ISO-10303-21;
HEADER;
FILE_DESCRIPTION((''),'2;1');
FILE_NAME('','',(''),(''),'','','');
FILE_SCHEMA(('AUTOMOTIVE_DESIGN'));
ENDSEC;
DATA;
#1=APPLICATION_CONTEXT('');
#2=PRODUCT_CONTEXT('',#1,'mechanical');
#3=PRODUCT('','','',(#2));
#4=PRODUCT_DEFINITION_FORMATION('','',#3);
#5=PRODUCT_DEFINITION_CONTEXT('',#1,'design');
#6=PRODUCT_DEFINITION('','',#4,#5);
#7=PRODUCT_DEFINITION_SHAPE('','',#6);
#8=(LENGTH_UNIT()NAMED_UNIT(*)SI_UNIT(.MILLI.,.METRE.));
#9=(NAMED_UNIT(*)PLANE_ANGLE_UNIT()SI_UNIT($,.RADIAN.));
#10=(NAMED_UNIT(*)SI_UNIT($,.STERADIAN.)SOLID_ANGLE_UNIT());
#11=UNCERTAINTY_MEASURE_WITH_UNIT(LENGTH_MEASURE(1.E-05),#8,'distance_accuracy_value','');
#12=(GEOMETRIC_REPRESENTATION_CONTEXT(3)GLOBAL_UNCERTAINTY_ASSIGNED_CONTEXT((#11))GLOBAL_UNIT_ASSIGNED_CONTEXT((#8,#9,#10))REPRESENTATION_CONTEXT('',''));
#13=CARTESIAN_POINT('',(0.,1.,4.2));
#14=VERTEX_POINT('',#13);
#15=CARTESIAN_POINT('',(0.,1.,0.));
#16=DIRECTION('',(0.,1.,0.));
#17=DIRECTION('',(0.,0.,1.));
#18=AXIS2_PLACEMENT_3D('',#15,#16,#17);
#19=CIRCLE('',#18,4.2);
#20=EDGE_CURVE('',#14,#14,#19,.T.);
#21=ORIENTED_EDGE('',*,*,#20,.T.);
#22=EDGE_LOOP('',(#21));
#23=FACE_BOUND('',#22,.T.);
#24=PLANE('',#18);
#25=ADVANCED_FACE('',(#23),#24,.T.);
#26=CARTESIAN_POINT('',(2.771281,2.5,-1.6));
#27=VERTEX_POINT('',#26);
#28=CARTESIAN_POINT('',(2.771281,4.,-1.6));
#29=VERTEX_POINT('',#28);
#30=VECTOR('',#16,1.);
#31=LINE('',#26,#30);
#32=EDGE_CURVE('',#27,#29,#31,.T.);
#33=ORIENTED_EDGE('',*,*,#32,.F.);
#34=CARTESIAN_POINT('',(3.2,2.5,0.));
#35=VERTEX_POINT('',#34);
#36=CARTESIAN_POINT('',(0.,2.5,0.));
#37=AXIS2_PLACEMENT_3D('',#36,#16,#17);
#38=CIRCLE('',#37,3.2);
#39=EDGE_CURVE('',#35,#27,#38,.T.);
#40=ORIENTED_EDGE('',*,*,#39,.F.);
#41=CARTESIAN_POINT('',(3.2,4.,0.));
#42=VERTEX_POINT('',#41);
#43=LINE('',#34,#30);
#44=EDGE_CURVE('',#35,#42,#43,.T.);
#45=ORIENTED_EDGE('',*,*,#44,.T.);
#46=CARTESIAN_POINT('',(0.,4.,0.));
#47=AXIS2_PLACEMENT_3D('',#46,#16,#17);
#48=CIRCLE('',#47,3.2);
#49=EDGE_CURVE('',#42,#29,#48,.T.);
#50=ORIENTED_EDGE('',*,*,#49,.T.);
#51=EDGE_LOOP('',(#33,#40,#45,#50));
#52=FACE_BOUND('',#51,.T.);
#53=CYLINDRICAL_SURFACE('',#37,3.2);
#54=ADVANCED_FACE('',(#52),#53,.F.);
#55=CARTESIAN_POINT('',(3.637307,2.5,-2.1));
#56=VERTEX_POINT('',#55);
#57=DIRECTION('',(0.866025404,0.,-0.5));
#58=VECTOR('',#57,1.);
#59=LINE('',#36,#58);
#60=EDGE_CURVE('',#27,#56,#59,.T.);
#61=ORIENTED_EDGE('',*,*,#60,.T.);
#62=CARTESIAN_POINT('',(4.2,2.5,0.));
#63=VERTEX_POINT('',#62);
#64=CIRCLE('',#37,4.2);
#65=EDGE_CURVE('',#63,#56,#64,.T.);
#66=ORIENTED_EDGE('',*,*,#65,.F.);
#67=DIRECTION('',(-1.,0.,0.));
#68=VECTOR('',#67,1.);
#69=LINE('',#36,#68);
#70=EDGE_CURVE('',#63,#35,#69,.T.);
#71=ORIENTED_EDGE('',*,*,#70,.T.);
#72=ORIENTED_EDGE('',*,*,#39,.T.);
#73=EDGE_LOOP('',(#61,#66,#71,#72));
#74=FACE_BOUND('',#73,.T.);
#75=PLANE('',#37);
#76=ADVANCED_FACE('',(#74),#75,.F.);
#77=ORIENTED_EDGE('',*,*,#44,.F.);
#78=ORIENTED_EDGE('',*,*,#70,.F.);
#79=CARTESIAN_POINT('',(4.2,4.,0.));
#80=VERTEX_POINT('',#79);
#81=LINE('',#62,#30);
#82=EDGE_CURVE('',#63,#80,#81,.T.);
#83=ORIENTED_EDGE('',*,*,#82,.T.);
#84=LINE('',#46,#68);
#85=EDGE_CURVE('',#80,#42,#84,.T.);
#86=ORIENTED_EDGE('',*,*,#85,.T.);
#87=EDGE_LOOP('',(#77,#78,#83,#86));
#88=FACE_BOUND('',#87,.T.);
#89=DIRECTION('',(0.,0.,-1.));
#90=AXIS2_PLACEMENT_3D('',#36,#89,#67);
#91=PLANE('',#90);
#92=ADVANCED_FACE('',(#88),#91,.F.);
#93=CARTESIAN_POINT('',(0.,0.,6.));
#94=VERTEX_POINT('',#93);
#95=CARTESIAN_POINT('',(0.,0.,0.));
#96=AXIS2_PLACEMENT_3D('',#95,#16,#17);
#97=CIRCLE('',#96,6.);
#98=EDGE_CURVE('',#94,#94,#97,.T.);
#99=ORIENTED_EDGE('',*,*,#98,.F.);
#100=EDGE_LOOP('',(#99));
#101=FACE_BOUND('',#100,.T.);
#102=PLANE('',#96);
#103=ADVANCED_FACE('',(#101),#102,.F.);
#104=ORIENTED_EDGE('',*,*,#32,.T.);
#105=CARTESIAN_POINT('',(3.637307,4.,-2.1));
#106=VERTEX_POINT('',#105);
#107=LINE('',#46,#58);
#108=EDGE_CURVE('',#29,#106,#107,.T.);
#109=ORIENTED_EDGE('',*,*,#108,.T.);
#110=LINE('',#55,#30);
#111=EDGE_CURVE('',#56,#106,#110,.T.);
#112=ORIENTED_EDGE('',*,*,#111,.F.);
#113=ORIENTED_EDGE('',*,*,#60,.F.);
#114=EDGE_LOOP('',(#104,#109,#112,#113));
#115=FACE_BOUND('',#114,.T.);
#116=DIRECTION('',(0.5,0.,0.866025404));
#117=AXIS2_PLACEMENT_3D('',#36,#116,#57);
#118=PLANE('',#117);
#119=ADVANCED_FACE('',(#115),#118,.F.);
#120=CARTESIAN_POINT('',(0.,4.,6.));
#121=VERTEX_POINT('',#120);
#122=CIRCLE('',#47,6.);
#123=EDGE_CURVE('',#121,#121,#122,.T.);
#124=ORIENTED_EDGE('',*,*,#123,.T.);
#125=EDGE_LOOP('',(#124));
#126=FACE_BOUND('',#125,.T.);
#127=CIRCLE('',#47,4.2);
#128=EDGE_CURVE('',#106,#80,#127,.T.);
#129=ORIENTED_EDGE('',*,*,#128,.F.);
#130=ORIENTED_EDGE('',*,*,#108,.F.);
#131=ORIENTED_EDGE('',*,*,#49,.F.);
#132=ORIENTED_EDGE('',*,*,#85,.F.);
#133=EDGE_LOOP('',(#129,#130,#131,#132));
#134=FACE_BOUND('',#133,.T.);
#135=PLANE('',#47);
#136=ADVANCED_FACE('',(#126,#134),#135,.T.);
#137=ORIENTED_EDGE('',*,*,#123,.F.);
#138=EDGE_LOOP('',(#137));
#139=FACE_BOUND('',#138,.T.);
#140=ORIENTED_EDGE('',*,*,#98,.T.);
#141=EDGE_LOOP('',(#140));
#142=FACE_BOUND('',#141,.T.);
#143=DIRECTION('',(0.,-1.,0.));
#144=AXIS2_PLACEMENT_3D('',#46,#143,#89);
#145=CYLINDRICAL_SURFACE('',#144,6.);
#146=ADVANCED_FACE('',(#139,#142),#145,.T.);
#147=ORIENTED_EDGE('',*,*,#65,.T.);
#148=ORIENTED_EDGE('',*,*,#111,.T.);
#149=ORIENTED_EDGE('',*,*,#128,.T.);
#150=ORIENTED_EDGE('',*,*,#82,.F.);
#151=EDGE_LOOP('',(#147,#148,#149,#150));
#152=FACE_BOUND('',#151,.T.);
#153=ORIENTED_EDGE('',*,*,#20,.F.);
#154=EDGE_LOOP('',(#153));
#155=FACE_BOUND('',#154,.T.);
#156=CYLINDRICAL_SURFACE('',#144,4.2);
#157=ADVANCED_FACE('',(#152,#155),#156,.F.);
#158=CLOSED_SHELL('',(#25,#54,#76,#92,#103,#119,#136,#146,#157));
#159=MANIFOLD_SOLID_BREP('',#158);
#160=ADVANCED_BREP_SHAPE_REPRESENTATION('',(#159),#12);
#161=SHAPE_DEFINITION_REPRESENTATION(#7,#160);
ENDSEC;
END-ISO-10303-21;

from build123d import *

# Parameters (mm, degrees)
SKETCH1_R           = 6
SKETCH1_R_2         = 4.2
BOSS_EXTRUDE1_DEPTH = 4
SKETCH1_3_R         = 6
SKETCH1_3_R_2       = 4.2
BOSS_EXTRUDE2_DEPTH = 1
BOSS_EXTRUDE3_START = 2.5
BOSS_EXTRUDE3_DEPTH = 1.5


with BuildPart() as part:
    # Sketch1 → Boss-Extrude1 (new body)
    with BuildSketch(Plane(origin=(0, 0, 0), x_dir=(1, 0, 0), z_dir=(0, 1, 0))):
        with Locations(Location((0, 0, 0), (0, 0, 270))):
            Circle(SKETCH1_R)
        with Locations(Location((0, 0, 0), (0, 0, 270))):
            Circle(SKETCH1_R_2, mode=Mode.SUBTRACT)
    extrude(amount=BOSS_EXTRUDE1_DEPTH)

    # Sketch1<3> → Boss-Extrude2 (add)
    # profile 1 of 5: a face of its own
    with BuildSketch(Plane(origin=(0, 0, 0), x_dir=(1, 0, 0), z_dir=(0, 1, 0))):
        with Locations(Location((0, 0, 0), (0, 0, 270))):
            Circle(SKETCH1_3_R)
        with Locations(Location((0, 0, 0), (0, 0, 270))):
            Circle(SKETCH1_3_R_2, mode=Mode.SUBTRACT)
    # profile 2 of 5: a face of its own
    with BuildSketch(Plane(origin=(0, 0, 0), x_dir=(1, 0, 0), z_dir=(0, 1, 0))):
        with BuildLine():
            Line((2.771281292, 1.6), (3.637306696, 2.1))
            ThreePointArc((3.637306696, 2.1), (-4.05688847, -1.087039989), (4.2, 0))
            Line((4.2, 0), (3.2, 0))
            ThreePointArc((3.2, 0), (3.090962644, 0.828220944), (2.771281292, 1.6))
        make_face()
    # profile 3 of 5: a face of its own
    with BuildSketch(Plane(origin=(0, 0, 0), x_dir=(1, 0, 0), z_dir=(0, 1, 0))):
        with BuildLine():
            ThreePointArc((4.2, 0), (4.05688847, 1.087039989), (3.637306696, 2.1))
            Line((3.637306696, 2.1), (2.771281292, 1.6))
            ThreePointArc((2.771281292, 1.6), (3.090962644, 0.828220944), (3.2, 0))
            Line((3.2, 0), (4.2, 0))
        make_face()
    # profile 4 of 5: a face of its own
    with BuildSketch(Plane(origin=(0, 0, 0), x_dir=(1, 0, 0), z_dir=(0, 1, 0))):
        with BuildLine():
            ThreePointArc((4.2, 0), (4.05688847, 1.087039989), (3.637306696, 2.1))
            Line((3.637306696, 2.1), (2.771281292, 1.6))
            ThreePointArc((2.771281292, 1.6), (3.090962644, 0.828220944), (3.2, 0))
            Line((3.2, 0), (4.2, 0))
        make_face()
    # profile 5 of 5: a face of its own
    with BuildSketch(Plane(origin=(0, 0, 0), x_dir=(1, 0, 0), z_dir=(0, 1, 0))):
        with BuildLine():
            Line((2.771281292, 1.6), (3.637306696, 2.1))
            ThreePointArc((3.637306696, 2.1), (-4.05688847, -1.087039989), (4.2, 0))
            Line((4.2, 0), (3.2, 0))
            ThreePointArc((3.2, 0), (3.090962644, 0.828220944), (2.771281292, 1.6))
        make_face()
    extrude(amount=BOSS_EXTRUDE2_DEPTH)

    # Sketch1<4> → Boss-Extrude3 (add)
    with BuildSketch(Plane(origin=(0, 0, 0), x_dir=(1, 0, 0), z_dir=(0, 1, 0)).offset(BOSS_EXTRUDE3_START)):
        with BuildLine():
            ThreePointArc((4.2, 0), (4.05688847, 1.087039989), (3.637306696, 2.1))
            Line((3.637306696, 2.1), (2.771281292, 1.6))
            ThreePointArc((2.771281292, 1.6), (3.090962644, 0.828220944), (3.2, 0))
            Line((3.2, 0), (4.2, 0))
        make_face()
    extrude(amount=BOSS_EXTRUDE3_DEPTH)


solid = part.part
